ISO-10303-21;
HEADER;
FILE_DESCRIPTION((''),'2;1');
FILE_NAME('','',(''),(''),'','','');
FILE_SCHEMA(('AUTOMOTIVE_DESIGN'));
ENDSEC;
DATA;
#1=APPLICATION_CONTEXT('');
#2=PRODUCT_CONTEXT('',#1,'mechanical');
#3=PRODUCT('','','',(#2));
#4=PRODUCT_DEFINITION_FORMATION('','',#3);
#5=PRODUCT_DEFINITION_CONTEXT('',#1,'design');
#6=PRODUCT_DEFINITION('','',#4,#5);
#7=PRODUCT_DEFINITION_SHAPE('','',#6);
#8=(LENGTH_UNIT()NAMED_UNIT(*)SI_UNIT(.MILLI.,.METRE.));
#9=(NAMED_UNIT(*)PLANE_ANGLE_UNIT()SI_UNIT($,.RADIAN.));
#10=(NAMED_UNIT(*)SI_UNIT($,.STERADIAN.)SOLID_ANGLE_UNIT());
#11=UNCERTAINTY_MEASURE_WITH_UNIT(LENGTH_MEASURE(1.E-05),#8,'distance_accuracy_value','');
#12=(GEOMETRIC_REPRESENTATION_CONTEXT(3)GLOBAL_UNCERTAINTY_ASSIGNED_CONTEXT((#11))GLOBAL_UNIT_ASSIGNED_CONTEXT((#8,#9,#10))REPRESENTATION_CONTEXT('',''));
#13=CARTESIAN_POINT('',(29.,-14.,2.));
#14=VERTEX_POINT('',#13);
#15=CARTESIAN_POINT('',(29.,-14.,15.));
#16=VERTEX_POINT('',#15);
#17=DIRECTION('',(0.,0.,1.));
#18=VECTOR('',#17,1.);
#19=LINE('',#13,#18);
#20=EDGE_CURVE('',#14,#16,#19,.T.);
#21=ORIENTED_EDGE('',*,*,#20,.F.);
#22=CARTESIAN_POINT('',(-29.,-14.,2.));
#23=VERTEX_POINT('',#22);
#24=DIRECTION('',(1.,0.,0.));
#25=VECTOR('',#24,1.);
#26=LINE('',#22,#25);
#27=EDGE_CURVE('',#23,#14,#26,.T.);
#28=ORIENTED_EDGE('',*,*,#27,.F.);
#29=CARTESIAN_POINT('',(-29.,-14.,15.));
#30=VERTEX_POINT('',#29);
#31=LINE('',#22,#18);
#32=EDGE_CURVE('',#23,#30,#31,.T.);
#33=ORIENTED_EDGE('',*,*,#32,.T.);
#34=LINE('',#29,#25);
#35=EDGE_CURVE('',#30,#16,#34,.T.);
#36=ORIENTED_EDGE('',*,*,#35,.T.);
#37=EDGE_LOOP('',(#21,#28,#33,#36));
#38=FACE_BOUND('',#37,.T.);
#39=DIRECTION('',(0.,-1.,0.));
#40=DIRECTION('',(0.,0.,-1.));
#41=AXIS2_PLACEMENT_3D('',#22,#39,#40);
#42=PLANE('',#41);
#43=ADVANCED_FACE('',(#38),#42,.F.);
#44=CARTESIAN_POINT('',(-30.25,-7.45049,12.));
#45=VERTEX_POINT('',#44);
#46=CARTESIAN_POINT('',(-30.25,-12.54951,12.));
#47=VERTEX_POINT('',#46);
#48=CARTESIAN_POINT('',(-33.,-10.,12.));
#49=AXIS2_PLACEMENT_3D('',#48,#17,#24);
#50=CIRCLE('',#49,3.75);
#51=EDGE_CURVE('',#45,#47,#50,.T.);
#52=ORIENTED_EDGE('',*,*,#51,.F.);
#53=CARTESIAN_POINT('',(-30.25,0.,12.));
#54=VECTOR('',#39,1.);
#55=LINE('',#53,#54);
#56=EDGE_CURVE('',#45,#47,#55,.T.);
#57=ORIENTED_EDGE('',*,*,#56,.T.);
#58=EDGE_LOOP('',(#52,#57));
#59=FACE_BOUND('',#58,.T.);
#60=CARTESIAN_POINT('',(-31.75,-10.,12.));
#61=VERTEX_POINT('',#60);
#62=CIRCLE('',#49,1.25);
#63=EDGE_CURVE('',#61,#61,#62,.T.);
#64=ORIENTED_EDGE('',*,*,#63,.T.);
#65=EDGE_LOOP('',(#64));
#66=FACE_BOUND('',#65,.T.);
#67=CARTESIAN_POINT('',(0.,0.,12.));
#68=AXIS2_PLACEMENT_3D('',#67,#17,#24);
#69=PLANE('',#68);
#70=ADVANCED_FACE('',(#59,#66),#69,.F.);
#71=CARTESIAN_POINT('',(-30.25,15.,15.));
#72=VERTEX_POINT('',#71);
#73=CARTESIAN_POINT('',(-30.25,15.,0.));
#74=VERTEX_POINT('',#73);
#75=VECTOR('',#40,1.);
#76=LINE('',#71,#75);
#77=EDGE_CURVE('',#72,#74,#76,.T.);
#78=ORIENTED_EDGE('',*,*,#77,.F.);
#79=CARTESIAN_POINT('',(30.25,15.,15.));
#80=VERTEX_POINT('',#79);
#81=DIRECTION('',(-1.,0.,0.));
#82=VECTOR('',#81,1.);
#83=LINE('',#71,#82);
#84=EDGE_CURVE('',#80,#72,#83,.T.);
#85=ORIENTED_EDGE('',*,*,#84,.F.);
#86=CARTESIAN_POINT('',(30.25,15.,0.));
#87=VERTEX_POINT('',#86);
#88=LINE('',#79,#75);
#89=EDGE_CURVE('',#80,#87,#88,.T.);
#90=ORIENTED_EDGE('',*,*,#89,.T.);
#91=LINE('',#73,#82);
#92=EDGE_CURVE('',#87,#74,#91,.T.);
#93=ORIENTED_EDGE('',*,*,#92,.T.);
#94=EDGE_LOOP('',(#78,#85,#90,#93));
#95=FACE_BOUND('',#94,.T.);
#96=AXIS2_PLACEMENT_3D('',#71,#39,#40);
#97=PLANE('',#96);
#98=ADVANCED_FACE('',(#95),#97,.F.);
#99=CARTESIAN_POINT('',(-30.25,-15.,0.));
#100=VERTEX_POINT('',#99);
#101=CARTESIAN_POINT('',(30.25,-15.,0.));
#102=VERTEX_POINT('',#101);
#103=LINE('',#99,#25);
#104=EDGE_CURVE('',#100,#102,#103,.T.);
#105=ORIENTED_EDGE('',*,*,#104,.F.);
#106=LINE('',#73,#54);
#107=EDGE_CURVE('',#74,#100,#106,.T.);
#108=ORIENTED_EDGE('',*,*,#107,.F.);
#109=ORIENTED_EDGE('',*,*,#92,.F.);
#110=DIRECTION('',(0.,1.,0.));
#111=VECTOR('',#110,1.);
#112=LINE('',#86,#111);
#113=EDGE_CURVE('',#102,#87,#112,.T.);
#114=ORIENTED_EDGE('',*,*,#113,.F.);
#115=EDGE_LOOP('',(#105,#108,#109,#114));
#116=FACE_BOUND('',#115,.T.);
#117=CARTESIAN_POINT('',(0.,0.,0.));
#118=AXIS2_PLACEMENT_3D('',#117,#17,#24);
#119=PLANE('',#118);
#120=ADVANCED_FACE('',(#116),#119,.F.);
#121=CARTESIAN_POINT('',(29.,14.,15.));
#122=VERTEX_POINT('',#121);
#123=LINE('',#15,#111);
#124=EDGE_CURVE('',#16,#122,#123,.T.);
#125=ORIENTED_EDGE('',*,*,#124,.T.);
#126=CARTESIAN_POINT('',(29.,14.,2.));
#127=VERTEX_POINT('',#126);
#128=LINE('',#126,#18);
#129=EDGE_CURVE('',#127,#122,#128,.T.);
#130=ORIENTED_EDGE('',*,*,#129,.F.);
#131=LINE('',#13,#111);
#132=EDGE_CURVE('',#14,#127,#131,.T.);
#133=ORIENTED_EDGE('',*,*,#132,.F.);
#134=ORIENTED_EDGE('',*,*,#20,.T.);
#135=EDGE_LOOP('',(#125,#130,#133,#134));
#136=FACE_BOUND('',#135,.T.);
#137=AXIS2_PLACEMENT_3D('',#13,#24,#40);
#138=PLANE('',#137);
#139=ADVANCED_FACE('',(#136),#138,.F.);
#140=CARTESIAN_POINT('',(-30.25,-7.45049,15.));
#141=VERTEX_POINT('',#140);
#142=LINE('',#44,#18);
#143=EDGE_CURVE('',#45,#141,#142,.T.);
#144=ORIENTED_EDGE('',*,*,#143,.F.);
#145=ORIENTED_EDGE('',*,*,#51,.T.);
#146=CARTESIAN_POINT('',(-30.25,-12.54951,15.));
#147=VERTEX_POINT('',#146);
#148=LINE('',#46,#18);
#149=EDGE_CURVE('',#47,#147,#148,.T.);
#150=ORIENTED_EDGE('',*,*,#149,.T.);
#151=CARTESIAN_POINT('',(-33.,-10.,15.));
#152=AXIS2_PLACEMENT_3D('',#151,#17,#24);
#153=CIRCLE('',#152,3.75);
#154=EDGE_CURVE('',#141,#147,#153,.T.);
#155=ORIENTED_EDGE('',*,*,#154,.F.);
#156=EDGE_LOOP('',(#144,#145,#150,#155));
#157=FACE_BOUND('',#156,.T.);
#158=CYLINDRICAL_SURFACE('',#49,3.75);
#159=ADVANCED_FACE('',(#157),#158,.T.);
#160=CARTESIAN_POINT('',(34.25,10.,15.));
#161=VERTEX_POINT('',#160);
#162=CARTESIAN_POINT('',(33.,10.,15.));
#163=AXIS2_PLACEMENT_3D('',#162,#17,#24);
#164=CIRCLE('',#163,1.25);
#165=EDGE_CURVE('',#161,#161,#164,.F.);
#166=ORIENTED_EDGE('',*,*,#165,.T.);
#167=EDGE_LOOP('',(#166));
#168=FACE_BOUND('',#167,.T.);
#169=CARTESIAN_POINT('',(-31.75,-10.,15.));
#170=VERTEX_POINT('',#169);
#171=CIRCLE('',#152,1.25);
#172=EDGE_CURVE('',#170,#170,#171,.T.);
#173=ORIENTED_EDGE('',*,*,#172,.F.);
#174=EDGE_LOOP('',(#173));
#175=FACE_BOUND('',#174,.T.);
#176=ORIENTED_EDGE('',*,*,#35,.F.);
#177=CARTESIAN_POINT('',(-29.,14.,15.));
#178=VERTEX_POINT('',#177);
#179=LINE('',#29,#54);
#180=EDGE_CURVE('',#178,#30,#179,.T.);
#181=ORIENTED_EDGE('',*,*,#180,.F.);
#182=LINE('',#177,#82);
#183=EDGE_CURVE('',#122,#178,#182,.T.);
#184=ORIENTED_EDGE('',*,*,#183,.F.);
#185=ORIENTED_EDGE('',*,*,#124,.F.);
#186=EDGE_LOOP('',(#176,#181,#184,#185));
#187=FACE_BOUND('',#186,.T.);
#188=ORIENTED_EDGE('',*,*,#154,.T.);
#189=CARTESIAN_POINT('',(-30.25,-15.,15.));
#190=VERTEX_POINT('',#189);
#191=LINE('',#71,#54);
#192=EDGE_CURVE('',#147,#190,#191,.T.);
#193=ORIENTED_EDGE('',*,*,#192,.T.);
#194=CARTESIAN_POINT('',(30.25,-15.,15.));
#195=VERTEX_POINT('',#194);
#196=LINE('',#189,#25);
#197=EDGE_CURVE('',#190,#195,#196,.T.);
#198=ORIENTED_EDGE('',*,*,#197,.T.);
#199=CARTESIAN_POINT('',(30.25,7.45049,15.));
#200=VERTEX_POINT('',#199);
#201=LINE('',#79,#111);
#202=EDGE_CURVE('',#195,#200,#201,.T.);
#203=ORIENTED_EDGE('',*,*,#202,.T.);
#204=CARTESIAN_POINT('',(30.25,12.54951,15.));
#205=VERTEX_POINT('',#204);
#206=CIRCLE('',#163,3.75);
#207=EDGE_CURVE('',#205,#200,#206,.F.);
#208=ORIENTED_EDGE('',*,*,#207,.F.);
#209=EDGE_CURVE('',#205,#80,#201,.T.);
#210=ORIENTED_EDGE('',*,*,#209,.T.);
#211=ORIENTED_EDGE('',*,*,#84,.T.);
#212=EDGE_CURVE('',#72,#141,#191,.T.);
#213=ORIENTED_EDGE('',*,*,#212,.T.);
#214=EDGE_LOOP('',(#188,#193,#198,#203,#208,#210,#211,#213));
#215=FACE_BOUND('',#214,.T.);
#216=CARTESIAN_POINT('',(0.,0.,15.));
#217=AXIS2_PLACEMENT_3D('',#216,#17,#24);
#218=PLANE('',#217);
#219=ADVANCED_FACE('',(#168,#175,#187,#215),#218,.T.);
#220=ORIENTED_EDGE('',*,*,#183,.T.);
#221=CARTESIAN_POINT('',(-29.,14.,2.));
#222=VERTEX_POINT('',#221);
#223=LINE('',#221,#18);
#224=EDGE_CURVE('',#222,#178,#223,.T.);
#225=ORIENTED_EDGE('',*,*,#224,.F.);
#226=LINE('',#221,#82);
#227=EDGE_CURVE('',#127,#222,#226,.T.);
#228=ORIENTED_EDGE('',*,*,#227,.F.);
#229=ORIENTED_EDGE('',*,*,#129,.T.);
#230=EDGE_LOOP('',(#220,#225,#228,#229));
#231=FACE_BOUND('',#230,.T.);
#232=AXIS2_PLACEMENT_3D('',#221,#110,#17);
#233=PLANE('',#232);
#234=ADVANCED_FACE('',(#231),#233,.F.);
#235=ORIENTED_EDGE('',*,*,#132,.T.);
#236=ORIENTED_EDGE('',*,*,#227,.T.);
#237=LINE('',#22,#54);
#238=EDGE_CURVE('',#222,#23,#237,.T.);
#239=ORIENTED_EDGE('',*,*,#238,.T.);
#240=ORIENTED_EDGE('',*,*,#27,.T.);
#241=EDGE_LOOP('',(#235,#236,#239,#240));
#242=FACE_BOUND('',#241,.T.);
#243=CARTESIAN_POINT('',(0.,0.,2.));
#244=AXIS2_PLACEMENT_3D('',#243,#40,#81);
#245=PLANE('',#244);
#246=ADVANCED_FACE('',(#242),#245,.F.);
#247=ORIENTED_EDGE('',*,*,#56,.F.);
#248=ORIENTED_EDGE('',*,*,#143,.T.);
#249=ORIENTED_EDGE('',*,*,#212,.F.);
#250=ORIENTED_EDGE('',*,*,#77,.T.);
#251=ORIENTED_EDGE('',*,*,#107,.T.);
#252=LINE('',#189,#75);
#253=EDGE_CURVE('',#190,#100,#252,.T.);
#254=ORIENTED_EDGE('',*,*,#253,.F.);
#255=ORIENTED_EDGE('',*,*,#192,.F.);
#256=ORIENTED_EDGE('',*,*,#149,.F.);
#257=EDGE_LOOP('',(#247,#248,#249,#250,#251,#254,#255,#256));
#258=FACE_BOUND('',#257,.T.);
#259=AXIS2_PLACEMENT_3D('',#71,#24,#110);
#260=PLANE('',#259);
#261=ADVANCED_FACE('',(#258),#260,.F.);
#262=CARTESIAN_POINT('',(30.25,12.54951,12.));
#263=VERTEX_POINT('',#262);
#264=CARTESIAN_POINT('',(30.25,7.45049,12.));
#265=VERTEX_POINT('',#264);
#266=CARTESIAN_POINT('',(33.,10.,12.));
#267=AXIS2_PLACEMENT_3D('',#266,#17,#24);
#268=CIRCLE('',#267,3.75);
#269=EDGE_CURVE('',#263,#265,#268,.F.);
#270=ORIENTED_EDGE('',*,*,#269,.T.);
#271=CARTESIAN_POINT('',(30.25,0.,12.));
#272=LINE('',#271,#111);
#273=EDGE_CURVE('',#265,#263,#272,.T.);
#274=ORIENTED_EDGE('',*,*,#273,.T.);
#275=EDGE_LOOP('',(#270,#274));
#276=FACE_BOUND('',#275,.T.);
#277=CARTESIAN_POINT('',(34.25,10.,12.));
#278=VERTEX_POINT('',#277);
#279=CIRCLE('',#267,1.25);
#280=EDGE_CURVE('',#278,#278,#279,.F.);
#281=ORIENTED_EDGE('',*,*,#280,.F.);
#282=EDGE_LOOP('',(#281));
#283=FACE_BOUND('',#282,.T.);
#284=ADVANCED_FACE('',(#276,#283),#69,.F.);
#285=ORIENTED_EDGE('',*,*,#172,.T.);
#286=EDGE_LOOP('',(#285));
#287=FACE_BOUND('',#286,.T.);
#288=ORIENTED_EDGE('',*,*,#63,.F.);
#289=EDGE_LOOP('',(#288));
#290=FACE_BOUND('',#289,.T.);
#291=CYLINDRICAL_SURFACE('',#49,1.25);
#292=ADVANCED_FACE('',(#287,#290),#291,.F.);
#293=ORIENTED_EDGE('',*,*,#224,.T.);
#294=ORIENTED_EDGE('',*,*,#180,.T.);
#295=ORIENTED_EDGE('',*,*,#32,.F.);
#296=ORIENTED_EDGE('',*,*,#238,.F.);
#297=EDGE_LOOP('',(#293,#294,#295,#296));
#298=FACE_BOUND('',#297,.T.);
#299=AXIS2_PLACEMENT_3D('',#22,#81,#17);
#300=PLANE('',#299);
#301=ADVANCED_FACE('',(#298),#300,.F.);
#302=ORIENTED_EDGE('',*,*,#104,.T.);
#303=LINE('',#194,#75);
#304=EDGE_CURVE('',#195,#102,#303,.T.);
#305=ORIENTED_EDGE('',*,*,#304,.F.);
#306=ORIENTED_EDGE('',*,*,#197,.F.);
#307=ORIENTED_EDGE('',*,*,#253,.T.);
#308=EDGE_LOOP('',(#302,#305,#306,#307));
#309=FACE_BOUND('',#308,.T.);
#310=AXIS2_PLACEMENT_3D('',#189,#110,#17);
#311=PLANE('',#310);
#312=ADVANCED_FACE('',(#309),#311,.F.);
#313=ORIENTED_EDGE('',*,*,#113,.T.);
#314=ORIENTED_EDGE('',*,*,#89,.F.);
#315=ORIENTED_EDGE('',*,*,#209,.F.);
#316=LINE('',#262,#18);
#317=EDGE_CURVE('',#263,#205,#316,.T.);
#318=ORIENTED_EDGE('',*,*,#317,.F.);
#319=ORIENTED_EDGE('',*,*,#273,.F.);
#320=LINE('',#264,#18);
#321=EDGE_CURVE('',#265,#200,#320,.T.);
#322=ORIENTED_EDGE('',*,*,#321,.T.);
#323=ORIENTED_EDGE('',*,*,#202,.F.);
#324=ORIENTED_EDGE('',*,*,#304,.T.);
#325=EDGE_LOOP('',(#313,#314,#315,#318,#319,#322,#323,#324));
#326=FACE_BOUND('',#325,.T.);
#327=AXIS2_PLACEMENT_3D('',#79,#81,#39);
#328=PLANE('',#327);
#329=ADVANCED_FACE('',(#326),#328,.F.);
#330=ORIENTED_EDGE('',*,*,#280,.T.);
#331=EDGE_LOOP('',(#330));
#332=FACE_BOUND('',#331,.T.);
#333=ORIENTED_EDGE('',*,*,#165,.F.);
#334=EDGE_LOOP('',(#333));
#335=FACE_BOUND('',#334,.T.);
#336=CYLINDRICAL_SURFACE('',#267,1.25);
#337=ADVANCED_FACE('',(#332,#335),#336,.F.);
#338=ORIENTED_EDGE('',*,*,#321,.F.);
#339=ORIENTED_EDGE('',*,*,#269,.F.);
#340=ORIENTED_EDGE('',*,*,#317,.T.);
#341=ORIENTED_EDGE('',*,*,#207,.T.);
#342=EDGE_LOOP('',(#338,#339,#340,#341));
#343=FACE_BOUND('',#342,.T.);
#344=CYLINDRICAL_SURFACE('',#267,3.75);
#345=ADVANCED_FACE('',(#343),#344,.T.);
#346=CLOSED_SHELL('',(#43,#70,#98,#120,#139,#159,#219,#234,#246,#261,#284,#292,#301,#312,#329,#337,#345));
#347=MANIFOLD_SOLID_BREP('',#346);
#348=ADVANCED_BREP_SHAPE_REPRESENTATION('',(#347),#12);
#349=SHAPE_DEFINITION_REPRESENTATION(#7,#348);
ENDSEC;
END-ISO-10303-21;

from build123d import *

# Parameters (mm, degrees)
SKIZZE1_W                       = 60.5
SKIZZE1_H                       = 30
AUFSATZ_LINEAR_AUSTRAGEN1_DEPTH = 15
SKIZZE2_W                       = 58
SKIZZE2_H                       = 28
SKIZZE2_R                       = 1.25
SCHNITT_LINEAR_AUSTRAGEN2_DEPTH = 13
SKIZZE2_5_R                     = 1.25
AUFSATZ_LINEAR_AUSTRAGEN2_DEPTH = 3


with BuildPart() as part:
    # Skizze1 → Aufsatz-Linear austragen1 (new body)
    with BuildSketch(Plane.XY):
        Rectangle(SKIZZE1_W, SKIZZE1_H)
    extrude(amount=AUFSATZ_LINEAR_AUSTRAGEN1_DEPTH)

    # Skizze2 → Schnitt-Linear austragen2 (cut)
    # profile 1 of 3: a face of its own
    with BuildSketch(Plane.XY.offset(15)):
        Rectangle(SKIZZE2_W, SKIZZE2_H)
    # profile 2 of 3: a face of its own
    with BuildSketch(Plane.XY.offset(15)):
        with BuildLine():
            Line((-30.25, -7.450490243), (-30.25, -12.549509757))
            ThreePointArc((-30.25, -12.549509757), (-36.75, -10), (-30.25, -7.450490243))
        make_face()
        with Locations((-33, -10)):
            Circle(SKIZZE2_R, mode=Mode.SUBTRACT)
    # profile 3 of 3: a face of its own
    with BuildSketch(Plane.XY.offset(15)):
        with BuildLine():
            Line((30.25, 12.549509757), (30.25, 7.450490243))
            ThreePointArc((30.25, 7.450490243), (36.75, 10), (30.25, 12.549509757))
        make_face()
        with Locations((33, 10)):
            Circle(SKIZZE2_R, mode=Mode.SUBTRACT)
    extrude(amount=-SCHNITT_LINEAR_AUSTRAGEN2_DEPTH, mode=Mode.SUBTRACT)

    # Skizze2<5> → Aufsatz-Linear austragen2 (add)
    # profile 1 of 2: a face of its own
    with BuildSketch(Plane.XY.offset(15)):
        with BuildLine():
            Line((-30.25, -12.549509757), (-30.25, -7.450490243))
            ThreePointArc((-30.25, -7.450490243), (-36.75, -10), (-30.25, -12.549509757))
        make_face()
        with Locations((-33, -10)):
            Circle(SKIZZE2_5_R, mode=Mode.SUBTRACT)
    # profile 2 of 2: a face of its own
    with BuildSketch(Plane.XY.offset(15)):
        with BuildLine():
            ThreePointArc((30.25, 7.450490243), (36.75, 10), (30.25, 12.549509757))
            Line((30.25, 12.549509757), (30.25, 7.450490243))
        make_face()
        with Locations((33, 10)):
            Circle(SKIZZE2_5_R, mode=Mode.SUBTRACT)
    extrude(amount=-AUFSATZ_LINEAR_AUSTRAGEN2_DEPTH)


solid = part.part
